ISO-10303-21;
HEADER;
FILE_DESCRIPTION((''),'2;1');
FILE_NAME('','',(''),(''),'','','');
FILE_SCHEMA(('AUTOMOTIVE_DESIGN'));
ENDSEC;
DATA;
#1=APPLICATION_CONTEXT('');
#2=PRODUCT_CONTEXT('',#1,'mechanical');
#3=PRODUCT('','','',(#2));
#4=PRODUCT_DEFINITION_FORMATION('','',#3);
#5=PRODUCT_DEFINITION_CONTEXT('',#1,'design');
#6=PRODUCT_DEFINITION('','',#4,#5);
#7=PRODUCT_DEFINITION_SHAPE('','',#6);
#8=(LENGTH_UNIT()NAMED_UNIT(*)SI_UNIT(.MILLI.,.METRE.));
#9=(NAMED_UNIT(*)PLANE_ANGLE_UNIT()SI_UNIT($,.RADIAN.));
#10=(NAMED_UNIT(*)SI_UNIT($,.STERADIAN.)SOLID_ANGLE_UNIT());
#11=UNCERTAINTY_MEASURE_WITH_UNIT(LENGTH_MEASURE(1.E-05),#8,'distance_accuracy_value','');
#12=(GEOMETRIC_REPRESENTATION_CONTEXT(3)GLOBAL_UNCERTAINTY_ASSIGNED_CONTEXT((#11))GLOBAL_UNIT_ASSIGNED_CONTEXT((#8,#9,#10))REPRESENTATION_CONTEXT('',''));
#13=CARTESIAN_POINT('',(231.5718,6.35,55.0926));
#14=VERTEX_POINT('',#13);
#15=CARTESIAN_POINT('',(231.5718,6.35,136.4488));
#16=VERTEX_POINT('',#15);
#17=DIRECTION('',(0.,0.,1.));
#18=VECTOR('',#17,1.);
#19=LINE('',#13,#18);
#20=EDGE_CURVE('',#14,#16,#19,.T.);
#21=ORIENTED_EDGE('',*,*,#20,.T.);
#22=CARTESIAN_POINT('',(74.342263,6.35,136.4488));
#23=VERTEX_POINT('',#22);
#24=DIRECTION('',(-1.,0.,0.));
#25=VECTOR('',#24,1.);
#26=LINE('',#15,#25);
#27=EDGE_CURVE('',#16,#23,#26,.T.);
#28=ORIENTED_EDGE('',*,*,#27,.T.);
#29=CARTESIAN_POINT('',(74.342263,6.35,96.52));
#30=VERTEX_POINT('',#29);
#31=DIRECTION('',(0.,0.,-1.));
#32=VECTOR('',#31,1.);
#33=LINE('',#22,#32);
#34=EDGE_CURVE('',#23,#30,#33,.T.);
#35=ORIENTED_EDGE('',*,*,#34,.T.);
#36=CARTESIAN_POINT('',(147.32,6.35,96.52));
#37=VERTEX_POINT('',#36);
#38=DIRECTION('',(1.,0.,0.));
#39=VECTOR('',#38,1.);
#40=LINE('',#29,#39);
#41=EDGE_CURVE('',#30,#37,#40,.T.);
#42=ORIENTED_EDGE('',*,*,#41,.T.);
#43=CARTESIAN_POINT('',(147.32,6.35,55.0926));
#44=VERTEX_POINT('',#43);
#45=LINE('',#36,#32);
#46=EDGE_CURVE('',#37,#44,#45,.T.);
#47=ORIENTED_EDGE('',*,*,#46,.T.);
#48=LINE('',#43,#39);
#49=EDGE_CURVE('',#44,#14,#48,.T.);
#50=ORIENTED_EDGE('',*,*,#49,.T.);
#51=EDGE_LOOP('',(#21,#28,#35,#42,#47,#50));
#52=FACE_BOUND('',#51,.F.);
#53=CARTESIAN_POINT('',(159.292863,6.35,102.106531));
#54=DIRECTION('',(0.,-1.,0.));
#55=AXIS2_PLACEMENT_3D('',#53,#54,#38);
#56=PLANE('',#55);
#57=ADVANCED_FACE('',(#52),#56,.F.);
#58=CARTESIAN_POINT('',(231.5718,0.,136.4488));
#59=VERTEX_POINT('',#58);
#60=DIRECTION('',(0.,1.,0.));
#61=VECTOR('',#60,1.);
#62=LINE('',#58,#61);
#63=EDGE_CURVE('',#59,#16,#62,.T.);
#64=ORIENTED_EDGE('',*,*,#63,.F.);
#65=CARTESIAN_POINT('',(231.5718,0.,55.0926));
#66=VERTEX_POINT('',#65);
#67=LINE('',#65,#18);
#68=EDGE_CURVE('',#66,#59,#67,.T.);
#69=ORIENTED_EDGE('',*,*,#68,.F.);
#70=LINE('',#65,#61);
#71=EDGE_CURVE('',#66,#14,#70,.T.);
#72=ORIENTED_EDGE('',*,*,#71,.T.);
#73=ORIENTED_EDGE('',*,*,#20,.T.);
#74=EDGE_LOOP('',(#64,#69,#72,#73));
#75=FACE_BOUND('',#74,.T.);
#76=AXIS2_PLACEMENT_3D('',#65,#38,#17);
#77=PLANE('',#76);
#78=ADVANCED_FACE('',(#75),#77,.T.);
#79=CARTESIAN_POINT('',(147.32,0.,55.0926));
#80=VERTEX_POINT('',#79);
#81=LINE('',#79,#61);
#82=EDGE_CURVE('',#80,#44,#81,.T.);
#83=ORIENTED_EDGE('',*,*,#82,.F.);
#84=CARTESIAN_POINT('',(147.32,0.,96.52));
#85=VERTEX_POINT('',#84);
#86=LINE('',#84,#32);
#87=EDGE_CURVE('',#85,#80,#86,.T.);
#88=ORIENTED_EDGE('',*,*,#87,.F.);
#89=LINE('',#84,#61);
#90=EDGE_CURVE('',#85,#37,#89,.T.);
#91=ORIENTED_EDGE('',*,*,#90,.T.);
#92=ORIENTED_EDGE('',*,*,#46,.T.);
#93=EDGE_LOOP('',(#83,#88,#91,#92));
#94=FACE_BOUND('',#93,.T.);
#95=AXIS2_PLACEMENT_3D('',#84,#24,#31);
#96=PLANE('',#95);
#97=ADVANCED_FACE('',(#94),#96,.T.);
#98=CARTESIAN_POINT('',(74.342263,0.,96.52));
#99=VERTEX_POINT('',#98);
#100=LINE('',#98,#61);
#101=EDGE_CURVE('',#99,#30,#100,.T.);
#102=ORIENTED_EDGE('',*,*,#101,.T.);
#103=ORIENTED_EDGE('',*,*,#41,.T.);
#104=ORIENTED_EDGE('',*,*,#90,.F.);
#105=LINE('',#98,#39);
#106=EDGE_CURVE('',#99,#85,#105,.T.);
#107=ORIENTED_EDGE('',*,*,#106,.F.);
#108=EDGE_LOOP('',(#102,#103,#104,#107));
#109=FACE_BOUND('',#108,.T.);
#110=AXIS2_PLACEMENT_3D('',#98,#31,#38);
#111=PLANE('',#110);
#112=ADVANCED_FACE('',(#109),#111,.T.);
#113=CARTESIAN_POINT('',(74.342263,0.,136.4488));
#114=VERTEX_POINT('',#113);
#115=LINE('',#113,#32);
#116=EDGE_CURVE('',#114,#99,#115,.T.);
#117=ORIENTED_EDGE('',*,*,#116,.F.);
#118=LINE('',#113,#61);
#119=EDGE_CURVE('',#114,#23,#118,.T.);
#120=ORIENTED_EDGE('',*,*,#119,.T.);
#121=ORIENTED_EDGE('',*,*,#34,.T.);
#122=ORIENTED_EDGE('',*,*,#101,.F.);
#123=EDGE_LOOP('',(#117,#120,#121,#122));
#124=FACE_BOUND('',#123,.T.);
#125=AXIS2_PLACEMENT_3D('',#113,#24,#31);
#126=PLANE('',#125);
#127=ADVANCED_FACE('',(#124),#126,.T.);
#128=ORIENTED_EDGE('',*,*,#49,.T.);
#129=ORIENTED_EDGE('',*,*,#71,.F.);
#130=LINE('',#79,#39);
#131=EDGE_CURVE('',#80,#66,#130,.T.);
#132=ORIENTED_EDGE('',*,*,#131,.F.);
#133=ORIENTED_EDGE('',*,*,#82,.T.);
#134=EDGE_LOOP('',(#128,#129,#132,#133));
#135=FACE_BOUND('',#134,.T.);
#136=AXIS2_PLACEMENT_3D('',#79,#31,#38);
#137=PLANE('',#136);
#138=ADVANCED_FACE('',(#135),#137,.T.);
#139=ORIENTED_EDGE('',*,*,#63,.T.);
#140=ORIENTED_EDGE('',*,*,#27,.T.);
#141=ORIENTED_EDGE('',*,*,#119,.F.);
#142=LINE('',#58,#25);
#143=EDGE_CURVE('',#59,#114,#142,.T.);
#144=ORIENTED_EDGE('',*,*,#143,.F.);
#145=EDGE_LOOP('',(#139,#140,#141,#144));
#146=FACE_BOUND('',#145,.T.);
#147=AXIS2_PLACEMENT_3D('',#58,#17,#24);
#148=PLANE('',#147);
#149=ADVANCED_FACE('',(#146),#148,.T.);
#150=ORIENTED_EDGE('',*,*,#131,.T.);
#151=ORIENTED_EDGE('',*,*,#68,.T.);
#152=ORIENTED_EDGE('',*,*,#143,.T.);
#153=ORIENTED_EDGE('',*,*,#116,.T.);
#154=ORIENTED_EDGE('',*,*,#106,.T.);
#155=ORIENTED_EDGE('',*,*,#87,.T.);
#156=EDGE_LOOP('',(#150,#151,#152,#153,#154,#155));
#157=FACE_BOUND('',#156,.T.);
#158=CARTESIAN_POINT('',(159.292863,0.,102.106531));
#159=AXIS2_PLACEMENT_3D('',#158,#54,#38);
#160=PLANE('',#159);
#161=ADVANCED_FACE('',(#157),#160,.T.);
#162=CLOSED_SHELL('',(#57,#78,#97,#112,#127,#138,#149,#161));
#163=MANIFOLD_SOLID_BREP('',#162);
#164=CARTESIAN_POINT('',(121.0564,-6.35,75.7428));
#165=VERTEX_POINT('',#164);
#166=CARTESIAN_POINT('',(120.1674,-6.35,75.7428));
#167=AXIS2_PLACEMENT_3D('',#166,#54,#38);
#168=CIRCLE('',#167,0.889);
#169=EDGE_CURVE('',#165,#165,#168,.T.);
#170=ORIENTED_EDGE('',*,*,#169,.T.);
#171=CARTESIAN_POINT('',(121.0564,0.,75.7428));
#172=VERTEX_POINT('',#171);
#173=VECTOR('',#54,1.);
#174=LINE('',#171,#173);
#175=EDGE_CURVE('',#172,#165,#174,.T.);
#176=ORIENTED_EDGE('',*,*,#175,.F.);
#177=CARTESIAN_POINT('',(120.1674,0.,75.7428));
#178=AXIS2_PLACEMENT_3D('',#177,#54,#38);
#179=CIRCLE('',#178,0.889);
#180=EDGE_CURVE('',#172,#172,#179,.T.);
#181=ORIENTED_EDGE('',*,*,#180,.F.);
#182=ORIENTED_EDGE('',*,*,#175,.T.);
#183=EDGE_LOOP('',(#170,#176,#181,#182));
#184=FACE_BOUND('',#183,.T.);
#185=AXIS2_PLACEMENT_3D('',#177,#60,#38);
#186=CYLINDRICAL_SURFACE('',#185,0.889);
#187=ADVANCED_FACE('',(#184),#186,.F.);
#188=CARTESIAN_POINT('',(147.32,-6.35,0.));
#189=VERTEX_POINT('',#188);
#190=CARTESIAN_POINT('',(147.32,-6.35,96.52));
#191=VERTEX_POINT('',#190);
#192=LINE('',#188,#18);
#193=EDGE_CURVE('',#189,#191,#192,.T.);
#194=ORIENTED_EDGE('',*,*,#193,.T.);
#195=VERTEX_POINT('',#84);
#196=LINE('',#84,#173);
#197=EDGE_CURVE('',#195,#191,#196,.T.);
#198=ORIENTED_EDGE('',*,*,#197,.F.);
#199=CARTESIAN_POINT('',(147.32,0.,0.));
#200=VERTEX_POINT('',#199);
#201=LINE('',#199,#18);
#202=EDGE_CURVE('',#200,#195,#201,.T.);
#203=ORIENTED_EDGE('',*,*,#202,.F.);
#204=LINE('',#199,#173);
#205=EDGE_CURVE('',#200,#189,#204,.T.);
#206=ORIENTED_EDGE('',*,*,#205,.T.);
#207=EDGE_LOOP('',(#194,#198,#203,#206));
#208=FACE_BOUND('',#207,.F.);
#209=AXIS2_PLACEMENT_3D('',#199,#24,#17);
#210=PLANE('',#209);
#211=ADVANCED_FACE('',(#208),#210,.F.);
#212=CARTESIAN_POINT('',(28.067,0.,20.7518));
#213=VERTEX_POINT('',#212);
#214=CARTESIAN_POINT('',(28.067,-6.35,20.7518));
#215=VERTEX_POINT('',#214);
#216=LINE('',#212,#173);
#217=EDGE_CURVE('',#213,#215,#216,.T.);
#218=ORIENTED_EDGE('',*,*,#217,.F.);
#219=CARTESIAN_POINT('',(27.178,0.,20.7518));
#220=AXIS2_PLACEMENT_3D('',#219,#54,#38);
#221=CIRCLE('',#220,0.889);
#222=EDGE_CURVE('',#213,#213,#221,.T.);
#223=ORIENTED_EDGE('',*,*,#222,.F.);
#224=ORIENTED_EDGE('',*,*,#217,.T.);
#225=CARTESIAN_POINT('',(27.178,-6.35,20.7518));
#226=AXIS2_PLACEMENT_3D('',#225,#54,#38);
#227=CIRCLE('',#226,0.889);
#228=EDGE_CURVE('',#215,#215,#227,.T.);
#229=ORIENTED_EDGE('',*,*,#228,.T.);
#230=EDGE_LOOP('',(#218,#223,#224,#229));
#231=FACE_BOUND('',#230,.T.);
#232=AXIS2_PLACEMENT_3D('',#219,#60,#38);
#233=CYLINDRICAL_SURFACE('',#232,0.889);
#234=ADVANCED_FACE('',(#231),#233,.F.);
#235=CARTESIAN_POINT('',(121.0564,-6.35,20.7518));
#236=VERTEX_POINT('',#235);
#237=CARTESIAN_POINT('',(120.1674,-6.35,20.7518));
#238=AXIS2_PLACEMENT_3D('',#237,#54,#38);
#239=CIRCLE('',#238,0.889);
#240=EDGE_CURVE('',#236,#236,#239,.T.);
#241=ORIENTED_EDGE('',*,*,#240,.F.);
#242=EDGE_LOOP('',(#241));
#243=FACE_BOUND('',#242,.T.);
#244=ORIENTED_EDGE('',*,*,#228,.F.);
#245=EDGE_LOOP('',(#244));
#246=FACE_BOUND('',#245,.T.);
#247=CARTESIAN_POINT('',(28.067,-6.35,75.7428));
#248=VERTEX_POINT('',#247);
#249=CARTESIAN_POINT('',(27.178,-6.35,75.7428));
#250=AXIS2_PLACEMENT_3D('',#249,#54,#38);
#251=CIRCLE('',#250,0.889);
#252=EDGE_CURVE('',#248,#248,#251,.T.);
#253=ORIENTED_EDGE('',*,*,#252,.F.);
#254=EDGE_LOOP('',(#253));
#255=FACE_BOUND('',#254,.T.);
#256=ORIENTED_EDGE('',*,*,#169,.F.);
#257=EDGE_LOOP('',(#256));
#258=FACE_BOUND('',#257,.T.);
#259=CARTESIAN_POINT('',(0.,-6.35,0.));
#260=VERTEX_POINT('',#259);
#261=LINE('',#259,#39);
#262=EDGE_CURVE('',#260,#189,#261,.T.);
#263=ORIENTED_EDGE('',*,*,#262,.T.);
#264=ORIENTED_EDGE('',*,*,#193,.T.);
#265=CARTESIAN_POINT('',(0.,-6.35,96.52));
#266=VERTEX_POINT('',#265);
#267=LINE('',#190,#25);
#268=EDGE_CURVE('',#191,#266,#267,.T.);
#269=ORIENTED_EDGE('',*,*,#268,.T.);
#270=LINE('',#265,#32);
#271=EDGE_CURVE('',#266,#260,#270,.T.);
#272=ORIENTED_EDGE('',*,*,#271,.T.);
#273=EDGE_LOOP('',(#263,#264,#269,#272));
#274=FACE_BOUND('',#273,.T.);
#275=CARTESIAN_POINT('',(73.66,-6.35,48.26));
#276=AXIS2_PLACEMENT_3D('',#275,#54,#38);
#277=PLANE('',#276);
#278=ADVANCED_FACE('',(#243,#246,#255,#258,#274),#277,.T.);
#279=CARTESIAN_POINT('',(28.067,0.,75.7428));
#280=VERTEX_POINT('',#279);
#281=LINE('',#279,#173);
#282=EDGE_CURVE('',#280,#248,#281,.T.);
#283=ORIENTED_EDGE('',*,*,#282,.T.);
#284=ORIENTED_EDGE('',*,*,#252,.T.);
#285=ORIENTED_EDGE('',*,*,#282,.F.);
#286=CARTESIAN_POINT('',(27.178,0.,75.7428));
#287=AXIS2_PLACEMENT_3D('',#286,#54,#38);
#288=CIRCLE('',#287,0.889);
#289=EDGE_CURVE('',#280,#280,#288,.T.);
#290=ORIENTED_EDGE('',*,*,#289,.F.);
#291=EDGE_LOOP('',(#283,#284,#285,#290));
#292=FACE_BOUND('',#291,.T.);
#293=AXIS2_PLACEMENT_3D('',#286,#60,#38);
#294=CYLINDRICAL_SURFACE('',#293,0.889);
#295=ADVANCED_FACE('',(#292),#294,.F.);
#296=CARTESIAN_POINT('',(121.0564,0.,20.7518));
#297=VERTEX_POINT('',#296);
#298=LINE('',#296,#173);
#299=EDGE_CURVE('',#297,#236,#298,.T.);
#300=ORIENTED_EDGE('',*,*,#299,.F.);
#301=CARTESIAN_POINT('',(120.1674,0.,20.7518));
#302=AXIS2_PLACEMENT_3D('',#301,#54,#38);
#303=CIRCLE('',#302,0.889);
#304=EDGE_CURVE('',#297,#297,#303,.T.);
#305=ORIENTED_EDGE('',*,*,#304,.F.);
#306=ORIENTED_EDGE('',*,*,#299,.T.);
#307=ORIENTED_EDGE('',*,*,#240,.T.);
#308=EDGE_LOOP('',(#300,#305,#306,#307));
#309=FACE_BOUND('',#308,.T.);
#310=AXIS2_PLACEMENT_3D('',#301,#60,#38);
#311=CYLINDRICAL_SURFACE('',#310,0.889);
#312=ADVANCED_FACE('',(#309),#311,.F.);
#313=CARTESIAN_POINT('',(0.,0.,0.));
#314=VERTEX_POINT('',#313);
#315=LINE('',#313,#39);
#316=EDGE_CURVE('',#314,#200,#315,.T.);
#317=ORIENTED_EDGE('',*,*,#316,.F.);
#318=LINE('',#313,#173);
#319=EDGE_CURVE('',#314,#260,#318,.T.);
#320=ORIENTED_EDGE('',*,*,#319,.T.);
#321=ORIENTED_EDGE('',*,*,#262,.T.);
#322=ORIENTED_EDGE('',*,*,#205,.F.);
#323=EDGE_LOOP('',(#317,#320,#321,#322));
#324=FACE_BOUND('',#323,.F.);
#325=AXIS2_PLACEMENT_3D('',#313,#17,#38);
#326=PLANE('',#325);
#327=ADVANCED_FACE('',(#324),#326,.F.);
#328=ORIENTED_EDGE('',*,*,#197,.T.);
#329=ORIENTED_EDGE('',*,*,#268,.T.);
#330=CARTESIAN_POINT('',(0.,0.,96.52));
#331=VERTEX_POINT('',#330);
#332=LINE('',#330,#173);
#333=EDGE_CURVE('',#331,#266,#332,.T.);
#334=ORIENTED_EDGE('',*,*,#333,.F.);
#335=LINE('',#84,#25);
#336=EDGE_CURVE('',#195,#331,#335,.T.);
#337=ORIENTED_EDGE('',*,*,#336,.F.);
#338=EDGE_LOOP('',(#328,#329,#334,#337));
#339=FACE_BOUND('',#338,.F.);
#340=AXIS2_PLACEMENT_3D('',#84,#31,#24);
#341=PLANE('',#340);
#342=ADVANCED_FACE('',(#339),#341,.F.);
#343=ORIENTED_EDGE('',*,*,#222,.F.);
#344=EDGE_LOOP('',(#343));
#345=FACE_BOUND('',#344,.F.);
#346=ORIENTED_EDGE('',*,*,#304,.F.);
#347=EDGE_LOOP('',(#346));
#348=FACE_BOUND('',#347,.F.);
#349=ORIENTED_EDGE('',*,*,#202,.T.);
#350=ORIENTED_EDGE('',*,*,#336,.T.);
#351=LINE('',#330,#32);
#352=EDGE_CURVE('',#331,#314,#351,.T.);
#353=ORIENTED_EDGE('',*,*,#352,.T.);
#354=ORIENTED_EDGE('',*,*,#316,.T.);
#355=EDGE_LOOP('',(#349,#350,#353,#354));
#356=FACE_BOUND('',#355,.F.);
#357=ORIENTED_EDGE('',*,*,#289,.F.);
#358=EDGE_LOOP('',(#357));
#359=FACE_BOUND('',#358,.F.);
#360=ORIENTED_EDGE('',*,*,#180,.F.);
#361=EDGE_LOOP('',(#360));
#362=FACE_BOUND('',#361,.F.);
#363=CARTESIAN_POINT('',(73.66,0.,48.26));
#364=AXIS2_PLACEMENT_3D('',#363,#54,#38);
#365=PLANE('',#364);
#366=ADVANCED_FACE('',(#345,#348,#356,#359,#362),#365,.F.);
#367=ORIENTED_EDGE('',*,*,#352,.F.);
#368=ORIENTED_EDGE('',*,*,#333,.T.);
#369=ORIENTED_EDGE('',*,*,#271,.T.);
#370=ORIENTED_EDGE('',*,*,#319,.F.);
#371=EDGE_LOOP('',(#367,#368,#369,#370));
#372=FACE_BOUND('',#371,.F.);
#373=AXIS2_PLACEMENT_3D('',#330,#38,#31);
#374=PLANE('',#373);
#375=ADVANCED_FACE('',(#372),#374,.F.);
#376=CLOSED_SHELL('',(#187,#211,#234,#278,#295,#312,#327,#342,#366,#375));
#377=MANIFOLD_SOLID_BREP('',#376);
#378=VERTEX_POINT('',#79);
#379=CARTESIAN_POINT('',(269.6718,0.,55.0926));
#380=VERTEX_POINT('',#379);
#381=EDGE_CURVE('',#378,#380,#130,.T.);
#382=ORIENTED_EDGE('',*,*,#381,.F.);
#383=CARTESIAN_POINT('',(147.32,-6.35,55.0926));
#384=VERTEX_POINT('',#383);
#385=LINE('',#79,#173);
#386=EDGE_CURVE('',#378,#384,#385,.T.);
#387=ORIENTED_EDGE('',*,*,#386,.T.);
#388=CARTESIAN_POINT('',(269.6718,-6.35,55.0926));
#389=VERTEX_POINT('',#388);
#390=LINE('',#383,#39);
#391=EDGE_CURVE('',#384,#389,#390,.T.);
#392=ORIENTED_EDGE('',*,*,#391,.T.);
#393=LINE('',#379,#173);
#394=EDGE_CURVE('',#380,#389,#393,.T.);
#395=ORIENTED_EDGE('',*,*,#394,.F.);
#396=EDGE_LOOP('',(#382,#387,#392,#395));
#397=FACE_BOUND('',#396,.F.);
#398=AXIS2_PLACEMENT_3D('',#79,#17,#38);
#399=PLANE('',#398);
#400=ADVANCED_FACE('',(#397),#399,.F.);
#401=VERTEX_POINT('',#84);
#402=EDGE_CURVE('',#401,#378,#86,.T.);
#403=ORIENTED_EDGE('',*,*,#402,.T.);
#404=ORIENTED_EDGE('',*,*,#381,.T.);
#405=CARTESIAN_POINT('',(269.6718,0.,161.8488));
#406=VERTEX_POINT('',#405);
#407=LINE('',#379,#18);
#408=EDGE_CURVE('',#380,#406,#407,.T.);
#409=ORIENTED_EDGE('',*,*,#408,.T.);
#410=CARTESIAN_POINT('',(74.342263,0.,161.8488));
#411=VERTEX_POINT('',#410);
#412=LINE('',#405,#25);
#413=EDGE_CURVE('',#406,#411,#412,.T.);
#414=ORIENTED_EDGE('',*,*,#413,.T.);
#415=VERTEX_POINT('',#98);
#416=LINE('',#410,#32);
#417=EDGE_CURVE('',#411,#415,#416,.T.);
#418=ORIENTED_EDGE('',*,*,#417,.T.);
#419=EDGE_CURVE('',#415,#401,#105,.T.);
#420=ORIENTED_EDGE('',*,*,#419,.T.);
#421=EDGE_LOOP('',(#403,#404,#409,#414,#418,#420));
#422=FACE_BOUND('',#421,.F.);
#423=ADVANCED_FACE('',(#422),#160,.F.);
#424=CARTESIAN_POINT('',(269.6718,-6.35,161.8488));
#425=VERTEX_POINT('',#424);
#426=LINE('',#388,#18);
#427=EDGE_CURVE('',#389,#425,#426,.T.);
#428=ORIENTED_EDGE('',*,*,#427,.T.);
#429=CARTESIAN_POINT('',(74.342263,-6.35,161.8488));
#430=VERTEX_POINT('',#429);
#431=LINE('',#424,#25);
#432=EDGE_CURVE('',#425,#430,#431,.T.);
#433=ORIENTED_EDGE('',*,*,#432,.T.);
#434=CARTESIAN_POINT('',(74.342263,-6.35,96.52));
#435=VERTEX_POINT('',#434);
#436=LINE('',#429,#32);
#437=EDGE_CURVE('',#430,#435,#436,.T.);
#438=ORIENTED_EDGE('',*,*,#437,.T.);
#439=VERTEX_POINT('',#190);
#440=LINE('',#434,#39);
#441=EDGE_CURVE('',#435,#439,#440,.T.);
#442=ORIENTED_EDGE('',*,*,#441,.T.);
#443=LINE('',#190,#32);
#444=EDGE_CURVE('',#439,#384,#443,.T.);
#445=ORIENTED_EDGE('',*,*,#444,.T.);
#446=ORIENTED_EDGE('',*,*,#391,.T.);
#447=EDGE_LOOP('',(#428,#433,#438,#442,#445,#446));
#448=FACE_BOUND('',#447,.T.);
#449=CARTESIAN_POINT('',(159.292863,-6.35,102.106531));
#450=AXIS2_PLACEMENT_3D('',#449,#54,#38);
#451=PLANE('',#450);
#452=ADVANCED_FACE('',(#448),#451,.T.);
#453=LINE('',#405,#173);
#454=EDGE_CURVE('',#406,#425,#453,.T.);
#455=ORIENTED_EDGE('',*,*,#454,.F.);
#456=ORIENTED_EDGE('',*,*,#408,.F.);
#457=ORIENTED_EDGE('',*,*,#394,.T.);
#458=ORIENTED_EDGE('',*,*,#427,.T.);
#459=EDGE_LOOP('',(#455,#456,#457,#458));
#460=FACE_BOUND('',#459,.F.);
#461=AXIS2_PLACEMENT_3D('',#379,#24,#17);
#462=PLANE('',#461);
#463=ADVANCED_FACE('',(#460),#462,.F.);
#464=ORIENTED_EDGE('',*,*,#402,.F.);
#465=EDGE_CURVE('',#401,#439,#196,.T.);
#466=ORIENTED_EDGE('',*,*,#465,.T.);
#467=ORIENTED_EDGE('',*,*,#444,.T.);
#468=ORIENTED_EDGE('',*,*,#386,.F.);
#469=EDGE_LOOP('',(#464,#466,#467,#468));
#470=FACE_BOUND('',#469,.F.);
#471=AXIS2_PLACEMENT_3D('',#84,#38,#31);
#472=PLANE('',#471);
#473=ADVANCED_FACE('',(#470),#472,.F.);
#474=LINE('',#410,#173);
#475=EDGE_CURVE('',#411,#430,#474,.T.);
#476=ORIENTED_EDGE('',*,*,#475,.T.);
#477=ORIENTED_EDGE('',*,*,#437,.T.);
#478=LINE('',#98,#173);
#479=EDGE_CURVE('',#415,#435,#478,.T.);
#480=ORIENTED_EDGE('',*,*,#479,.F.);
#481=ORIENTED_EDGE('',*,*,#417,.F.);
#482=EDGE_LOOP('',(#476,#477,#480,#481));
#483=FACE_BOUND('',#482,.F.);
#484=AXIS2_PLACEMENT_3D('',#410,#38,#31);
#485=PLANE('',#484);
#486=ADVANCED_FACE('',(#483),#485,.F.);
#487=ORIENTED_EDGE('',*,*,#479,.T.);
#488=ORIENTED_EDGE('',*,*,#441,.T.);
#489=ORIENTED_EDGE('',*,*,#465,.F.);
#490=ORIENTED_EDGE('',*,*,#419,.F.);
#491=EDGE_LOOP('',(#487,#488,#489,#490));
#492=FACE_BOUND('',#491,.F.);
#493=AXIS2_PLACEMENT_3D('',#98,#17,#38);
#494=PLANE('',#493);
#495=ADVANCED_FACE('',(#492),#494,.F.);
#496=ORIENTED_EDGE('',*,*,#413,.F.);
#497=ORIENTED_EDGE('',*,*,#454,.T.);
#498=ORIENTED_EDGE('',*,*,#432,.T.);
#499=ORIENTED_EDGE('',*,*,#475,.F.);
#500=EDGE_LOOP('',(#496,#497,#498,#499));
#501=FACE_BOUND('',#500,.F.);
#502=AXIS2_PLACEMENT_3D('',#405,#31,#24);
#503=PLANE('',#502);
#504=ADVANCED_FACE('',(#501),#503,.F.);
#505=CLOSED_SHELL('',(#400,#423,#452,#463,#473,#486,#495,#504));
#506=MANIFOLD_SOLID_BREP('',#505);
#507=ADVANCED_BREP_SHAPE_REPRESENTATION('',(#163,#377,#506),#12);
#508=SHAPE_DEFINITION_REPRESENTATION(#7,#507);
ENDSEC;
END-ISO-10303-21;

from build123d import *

# Parameters (mm, degrees)
F0_R     = 0.889
F1_DEPTH = 6.35
F3_DEPTH = 6.35
F4_DEPTH = 6.35


with BuildPart() as f1:
    # F0 (on Front) → F1 (new body)
    with BuildSketch(Plane.XZ):
        Polygon((0, 48.26), (0, 0), (147.32, 0), (147.32, 96.52), (0, 96.52), align=None)
        with Locations((27.178, 20.7518)):
            Circle(F0_R, mode=Mode.SUBTRACT)
        with Locations((120.1674, 20.7518)):
            Circle(F0_R, mode=Mode.SUBTRACT)
        with Locations((27.178, 75.7428)):
            Circle(F0_R, mode=Mode.SUBTRACT)
        with Locations((120.1674, 75.7428)):
            Circle(F0_R, mode=Mode.SUBTRACT)
    extrude(amount=F1_DEPTH)


with BuildPart() as f3:
    # F2 (on Front) → F3 (new body)
    with BuildSketch(Plane.XZ):
        Polygon((74.342263, 136.4488), (74.342263, 96.52), (147.32, 96.52), (147.32, 55.0926), (231.5718, 55.0926), (231.5718, 136.4488), align=None)
        Polygon((74.342263, 161.8488), (74.342263, 136.4488), (231.5718, 136.4488), (231.5718, 55.0926), (269.6718, 55.0926), (269.6718, 161.8488), align=None)
    extrude(amount=F3_DEPTH)


with BuildPart() as f4:
    # F2 (on Front) → F4 (new body)
    with BuildSketch(Plane.XZ):
        Polygon((74.342263, 136.4488), (74.342263, 96.52), (147.32, 96.52), (147.32, 55.0926), (231.5718, 55.0926), (231.5718, 136.4488), align=None)
    extrude(amount=-F4_DEPTH)


solid = Compound([f1.part, f3.part, f4.part])
